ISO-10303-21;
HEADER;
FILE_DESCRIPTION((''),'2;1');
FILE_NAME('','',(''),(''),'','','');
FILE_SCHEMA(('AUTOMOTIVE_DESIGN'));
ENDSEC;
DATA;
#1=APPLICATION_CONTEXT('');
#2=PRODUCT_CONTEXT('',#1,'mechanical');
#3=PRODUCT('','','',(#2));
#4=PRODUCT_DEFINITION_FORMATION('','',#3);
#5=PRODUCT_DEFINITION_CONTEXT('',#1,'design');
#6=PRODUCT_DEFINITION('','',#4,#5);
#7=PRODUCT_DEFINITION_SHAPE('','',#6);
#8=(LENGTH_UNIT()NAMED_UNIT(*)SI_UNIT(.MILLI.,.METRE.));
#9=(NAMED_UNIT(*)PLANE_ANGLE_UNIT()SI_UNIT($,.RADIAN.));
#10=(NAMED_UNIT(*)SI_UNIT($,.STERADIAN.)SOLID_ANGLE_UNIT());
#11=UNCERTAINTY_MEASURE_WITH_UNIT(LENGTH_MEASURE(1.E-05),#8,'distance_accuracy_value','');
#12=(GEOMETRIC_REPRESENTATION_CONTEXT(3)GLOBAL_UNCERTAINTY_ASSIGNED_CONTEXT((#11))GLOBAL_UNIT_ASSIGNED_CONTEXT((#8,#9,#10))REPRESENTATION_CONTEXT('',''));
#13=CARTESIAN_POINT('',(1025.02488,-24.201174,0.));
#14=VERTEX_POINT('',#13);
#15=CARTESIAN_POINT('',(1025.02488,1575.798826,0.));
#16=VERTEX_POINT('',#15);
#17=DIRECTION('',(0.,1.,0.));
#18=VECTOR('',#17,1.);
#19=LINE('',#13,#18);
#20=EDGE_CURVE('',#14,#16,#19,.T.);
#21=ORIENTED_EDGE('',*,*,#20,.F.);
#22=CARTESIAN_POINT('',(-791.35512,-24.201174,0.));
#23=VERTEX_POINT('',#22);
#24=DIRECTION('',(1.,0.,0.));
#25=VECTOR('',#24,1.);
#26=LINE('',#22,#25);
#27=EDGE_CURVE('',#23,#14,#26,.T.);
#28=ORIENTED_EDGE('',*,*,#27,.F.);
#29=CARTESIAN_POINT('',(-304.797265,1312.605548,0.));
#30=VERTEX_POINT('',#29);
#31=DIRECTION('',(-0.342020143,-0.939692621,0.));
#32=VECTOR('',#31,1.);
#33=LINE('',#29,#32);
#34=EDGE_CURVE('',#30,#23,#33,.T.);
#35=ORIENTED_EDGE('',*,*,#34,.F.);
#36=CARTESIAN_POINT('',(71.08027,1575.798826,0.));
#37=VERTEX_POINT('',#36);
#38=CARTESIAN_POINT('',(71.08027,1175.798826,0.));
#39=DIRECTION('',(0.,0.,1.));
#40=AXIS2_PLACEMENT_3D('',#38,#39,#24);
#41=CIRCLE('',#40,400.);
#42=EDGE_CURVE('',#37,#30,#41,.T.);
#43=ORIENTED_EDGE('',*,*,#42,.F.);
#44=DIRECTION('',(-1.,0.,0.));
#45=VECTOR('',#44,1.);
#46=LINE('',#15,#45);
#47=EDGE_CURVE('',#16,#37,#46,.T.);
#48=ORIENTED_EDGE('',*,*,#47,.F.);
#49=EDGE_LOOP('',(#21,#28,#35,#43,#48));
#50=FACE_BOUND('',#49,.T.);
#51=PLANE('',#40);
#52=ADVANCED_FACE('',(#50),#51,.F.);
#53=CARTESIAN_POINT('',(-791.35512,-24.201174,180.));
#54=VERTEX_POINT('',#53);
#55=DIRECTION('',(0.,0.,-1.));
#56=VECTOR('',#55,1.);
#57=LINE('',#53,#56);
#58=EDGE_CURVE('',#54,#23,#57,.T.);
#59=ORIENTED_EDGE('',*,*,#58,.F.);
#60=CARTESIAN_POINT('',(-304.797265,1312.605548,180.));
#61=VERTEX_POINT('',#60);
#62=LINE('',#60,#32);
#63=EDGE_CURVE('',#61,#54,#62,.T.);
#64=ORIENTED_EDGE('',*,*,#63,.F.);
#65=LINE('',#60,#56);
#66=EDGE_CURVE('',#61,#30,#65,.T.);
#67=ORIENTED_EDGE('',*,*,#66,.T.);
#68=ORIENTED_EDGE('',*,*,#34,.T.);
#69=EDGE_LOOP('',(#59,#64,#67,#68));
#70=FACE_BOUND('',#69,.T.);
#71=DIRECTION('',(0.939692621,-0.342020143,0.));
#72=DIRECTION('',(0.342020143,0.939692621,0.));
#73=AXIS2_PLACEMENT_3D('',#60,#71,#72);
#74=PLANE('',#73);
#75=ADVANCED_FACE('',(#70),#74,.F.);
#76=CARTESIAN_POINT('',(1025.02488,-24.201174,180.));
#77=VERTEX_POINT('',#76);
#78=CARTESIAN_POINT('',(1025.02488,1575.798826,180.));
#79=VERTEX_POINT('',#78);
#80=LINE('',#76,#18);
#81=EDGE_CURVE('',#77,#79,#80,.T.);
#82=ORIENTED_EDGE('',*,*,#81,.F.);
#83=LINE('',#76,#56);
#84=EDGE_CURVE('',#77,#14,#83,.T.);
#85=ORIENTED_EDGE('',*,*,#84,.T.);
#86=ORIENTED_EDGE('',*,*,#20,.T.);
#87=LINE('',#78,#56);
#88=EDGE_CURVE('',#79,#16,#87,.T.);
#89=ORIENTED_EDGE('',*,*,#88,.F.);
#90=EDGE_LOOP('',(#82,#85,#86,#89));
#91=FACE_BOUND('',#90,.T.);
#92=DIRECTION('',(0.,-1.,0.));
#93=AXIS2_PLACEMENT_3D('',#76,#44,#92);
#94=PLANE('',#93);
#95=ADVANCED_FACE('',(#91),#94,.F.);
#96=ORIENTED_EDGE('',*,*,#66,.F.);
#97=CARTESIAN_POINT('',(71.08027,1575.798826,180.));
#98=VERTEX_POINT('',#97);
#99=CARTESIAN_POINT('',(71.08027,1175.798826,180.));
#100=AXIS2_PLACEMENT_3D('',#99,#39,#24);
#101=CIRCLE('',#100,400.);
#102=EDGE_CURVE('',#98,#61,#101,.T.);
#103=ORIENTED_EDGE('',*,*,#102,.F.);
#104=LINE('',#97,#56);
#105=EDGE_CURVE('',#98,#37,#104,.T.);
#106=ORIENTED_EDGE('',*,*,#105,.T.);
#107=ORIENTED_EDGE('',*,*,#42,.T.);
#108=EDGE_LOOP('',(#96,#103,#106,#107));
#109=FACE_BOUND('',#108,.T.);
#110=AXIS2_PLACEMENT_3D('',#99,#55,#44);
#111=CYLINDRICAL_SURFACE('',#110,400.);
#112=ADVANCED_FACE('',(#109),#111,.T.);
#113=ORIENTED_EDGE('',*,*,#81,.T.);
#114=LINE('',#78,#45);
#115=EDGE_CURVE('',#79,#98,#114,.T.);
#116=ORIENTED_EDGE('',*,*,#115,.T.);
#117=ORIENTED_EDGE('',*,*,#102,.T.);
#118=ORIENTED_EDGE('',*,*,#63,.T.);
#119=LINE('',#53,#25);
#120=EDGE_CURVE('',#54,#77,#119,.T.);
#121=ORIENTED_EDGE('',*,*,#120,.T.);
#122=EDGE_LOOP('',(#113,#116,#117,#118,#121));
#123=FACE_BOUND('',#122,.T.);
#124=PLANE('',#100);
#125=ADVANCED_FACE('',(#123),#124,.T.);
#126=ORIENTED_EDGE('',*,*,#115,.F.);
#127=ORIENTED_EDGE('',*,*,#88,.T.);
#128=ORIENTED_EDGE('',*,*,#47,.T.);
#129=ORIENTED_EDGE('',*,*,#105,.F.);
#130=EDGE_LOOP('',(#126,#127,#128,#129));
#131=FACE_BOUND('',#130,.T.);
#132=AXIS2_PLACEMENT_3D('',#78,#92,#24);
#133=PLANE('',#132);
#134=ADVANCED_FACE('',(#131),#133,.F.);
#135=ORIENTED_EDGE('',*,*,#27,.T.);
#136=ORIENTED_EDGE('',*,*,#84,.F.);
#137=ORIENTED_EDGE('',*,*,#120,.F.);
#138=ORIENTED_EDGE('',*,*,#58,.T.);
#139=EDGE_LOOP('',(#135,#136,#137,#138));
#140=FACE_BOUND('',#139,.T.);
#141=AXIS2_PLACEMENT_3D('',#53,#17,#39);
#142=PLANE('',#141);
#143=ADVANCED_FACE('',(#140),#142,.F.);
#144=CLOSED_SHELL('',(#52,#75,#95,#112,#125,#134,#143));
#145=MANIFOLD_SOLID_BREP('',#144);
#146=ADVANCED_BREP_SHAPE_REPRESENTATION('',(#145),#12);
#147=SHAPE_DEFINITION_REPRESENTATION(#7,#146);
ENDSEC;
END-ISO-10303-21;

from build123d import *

# Parameters (mm, degrees)
BOSS_EXTRUDE1_DEPTH = 180


with BuildPart() as part:
    # Sketch1 → Boss-Extrude1 (new body)
    with BuildSketch(Plane.XY):
        with BuildLine():
            Line((-304.79726455, 1312.605548325), (-791.355120445, -24.201174005))
            Line((-791.355120445, -24.201174005), (1025.024879555, -24.201174005))
            Line((1025.024879555, -24.201174005), (1025.024879555, 1575.798825995))
            Line((1025.024879555, 1575.798825995), (71.080269662, 1575.798825995))
            ThreePointArc((71.080269662, 1575.798825995), (-158.350886753, 1503.459236276), (-304.79726455, 1312.605548325))
        make_face()
    extrude(amount=BOSS_EXTRUDE1_DEPTH)


solid = part.part
